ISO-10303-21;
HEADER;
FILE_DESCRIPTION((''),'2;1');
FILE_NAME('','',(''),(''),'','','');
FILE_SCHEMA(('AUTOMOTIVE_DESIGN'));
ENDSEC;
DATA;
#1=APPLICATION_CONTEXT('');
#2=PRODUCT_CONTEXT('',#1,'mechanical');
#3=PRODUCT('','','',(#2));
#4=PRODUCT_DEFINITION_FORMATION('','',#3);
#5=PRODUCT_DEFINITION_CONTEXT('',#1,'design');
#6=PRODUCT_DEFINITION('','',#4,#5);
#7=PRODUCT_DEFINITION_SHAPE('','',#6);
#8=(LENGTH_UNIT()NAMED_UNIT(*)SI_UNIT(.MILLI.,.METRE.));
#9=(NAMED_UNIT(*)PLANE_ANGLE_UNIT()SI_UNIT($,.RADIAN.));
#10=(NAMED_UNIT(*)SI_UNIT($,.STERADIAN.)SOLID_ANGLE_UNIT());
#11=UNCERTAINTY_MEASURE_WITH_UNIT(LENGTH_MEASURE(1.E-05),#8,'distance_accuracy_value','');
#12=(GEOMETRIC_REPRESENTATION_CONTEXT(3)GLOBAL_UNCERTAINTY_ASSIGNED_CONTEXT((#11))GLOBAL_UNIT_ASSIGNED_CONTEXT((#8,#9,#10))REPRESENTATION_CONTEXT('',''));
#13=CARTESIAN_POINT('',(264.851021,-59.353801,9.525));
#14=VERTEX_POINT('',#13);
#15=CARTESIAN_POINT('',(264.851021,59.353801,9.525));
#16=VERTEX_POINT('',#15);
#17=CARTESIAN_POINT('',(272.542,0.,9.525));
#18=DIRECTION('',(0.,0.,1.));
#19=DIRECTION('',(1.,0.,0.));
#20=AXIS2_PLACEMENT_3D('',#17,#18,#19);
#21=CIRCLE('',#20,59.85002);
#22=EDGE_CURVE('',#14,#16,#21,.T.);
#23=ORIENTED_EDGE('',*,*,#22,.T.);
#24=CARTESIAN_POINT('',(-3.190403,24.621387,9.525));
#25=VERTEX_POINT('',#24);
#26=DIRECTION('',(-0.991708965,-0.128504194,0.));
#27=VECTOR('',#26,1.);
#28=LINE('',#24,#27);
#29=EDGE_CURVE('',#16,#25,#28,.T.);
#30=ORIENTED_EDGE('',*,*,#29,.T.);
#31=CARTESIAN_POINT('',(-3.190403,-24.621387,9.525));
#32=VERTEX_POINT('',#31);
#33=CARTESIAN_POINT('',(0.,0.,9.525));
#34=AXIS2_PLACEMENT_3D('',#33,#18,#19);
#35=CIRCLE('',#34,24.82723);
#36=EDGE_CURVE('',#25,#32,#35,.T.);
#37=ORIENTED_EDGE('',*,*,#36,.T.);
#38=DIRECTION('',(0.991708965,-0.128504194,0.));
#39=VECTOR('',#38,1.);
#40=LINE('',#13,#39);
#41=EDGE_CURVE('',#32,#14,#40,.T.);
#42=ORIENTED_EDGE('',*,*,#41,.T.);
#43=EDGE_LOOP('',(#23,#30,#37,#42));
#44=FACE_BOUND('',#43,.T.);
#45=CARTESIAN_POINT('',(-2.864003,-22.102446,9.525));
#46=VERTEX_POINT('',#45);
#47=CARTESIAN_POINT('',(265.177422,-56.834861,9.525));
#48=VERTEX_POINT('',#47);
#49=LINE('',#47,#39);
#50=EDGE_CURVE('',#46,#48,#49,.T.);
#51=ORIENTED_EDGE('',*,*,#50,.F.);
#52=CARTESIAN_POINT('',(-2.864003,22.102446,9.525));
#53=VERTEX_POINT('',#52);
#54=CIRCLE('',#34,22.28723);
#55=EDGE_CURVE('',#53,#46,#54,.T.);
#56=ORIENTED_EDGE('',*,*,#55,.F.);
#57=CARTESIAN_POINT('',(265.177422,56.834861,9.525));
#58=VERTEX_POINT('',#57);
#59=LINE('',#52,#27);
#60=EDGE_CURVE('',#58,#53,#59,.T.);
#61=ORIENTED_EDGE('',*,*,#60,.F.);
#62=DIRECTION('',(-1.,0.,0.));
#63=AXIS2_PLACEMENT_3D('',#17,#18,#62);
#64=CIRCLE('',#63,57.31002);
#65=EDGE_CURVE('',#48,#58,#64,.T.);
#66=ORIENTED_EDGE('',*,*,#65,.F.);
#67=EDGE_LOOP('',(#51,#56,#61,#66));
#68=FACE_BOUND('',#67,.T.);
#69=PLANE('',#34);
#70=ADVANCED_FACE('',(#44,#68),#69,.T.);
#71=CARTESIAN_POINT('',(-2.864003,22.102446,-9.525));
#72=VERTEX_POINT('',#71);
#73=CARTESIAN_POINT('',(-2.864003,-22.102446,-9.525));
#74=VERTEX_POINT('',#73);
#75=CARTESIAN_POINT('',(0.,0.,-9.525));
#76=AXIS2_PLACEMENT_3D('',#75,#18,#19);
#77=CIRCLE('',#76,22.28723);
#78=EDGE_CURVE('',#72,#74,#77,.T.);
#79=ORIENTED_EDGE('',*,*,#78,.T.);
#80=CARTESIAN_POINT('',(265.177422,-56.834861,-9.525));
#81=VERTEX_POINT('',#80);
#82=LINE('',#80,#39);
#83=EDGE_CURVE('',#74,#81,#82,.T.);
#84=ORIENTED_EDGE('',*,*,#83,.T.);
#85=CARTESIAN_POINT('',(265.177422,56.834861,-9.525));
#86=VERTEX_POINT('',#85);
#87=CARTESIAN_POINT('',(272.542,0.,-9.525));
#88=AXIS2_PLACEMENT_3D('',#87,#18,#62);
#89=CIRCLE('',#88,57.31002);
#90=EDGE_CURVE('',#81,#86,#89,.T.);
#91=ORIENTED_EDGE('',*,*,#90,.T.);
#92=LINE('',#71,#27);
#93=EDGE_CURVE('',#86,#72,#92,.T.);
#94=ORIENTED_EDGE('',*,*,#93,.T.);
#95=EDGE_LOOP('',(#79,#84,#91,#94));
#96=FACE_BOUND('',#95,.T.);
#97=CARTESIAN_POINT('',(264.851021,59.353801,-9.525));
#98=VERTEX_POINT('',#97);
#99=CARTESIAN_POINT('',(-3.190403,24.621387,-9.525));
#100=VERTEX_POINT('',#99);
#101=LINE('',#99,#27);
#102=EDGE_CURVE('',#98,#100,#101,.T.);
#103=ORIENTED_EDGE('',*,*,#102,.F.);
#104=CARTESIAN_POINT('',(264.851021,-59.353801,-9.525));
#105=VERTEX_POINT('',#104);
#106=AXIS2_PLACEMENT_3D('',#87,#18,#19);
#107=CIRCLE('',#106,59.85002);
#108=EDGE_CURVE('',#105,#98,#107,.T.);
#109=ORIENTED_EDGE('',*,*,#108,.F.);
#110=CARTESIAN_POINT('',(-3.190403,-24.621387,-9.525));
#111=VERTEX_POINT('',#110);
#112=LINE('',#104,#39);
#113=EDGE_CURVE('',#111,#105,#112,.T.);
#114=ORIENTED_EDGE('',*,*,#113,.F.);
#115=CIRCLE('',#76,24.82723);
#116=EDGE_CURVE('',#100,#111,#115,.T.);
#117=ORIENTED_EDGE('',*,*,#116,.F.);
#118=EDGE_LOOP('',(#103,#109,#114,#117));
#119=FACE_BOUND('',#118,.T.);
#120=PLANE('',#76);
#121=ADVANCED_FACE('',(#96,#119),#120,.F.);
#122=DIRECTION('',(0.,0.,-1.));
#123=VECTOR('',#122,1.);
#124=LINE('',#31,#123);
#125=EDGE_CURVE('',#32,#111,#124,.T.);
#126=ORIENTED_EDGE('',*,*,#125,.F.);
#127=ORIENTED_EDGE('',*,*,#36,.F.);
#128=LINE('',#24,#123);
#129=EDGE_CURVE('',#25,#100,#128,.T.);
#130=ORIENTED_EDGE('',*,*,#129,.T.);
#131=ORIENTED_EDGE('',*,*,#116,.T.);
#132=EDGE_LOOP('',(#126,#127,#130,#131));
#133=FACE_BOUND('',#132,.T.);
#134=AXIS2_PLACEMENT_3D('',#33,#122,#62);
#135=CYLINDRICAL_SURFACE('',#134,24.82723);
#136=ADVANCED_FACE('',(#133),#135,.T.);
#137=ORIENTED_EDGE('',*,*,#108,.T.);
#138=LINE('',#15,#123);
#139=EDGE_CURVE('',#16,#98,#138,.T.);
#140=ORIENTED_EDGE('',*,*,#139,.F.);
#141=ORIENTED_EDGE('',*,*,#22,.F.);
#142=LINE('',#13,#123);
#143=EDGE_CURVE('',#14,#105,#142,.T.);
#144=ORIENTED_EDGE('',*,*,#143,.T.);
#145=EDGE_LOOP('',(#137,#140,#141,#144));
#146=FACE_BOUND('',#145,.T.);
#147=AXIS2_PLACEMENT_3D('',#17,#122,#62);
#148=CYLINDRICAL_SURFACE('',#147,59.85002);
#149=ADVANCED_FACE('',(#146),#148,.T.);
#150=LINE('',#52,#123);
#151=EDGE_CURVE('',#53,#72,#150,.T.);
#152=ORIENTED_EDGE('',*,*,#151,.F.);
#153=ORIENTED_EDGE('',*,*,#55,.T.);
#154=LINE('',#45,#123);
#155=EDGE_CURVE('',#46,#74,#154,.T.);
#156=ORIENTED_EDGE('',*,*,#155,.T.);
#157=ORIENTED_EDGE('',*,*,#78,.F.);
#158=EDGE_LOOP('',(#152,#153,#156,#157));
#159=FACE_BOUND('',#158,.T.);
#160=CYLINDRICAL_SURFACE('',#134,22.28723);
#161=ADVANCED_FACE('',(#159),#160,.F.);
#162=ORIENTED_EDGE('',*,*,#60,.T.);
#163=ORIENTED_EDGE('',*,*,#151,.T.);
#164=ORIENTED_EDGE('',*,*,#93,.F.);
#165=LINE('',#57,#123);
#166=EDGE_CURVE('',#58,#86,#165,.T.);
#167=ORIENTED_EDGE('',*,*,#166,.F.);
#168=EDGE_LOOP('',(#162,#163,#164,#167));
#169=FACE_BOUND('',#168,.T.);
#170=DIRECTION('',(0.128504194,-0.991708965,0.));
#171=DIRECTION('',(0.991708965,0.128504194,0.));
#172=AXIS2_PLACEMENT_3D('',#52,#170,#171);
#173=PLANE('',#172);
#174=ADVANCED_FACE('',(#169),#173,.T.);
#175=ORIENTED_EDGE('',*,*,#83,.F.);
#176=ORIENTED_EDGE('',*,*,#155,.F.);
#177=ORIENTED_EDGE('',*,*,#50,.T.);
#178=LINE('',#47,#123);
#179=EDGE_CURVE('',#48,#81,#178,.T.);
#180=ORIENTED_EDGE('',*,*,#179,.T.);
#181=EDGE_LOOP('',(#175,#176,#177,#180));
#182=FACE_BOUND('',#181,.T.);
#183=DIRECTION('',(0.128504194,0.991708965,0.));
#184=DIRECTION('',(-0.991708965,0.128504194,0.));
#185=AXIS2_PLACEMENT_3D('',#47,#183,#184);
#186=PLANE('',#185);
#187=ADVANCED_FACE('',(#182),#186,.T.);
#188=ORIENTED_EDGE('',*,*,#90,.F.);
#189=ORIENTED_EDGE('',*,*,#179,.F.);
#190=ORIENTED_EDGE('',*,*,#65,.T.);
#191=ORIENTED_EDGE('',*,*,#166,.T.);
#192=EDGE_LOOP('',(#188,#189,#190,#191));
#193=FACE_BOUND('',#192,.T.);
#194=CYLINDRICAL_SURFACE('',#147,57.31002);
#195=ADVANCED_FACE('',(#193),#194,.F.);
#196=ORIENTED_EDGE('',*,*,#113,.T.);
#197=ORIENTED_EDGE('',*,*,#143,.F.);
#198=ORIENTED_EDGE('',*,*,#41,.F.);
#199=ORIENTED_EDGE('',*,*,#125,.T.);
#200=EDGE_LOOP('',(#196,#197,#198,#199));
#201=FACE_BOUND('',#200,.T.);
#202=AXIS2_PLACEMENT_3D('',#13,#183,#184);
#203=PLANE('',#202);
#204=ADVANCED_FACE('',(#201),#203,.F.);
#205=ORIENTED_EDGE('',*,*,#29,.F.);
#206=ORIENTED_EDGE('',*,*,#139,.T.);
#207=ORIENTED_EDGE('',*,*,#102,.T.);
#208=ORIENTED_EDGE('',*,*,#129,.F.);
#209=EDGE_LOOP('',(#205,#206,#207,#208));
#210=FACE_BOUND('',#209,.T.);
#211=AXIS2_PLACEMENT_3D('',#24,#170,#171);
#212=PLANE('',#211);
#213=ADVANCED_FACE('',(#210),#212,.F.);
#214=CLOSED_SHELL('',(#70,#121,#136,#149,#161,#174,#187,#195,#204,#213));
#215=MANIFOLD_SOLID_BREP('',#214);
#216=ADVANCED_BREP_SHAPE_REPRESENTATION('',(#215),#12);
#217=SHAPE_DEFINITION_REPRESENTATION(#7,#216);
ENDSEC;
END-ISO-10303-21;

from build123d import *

# Parameters (mm, degrees)
EXTRUDE_THIN1_DEPTH      = 9.525
EXTRUDE_THIN1_DEPTH_BACK = 9.525


with BuildPart() as part:
    # Sketch1 → Extrude-Thin1 (new body, two sides)
    with BuildSketch(Plane.XY) as extrude_thin1_sk:
        with BuildLine():
            Line((264.851021428, -59.353801417), (-3.190403177, -24.621386578))
            ThreePointArc((-3.190403177, -24.621386578), (-24.82723, 0), (-3.190403177, 24.621386578))
            Line((-3.190403177, 24.621386578), (264.851021428, 59.353801417))
            ThreePointArc((264.851021428, 59.353801417), (332.39202, 0), (264.851021428, -59.353801417))
        make_face()
        with BuildLine():
            Line((265.17742208, -56.834860644), (-2.864002524, -22.102445806))
            ThreePointArc((-2.864002524, -22.102445806), (-22.28723, 0), (-2.864002524, 22.102445806))
            Line((-2.864002524, 22.102445806), (265.17742208, 56.834860644))
            ThreePointArc((265.17742208, 56.834860644), (329.85202, 0), (265.17742208, -56.834860644))
        make_face(mode=Mode.SUBTRACT)
    extrude(amount=EXTRUDE_THIN1_DEPTH)
    extrude(extrude_thin1_sk.sketch, amount=-EXTRUDE_THIN1_DEPTH_BACK)


solid = part.part
